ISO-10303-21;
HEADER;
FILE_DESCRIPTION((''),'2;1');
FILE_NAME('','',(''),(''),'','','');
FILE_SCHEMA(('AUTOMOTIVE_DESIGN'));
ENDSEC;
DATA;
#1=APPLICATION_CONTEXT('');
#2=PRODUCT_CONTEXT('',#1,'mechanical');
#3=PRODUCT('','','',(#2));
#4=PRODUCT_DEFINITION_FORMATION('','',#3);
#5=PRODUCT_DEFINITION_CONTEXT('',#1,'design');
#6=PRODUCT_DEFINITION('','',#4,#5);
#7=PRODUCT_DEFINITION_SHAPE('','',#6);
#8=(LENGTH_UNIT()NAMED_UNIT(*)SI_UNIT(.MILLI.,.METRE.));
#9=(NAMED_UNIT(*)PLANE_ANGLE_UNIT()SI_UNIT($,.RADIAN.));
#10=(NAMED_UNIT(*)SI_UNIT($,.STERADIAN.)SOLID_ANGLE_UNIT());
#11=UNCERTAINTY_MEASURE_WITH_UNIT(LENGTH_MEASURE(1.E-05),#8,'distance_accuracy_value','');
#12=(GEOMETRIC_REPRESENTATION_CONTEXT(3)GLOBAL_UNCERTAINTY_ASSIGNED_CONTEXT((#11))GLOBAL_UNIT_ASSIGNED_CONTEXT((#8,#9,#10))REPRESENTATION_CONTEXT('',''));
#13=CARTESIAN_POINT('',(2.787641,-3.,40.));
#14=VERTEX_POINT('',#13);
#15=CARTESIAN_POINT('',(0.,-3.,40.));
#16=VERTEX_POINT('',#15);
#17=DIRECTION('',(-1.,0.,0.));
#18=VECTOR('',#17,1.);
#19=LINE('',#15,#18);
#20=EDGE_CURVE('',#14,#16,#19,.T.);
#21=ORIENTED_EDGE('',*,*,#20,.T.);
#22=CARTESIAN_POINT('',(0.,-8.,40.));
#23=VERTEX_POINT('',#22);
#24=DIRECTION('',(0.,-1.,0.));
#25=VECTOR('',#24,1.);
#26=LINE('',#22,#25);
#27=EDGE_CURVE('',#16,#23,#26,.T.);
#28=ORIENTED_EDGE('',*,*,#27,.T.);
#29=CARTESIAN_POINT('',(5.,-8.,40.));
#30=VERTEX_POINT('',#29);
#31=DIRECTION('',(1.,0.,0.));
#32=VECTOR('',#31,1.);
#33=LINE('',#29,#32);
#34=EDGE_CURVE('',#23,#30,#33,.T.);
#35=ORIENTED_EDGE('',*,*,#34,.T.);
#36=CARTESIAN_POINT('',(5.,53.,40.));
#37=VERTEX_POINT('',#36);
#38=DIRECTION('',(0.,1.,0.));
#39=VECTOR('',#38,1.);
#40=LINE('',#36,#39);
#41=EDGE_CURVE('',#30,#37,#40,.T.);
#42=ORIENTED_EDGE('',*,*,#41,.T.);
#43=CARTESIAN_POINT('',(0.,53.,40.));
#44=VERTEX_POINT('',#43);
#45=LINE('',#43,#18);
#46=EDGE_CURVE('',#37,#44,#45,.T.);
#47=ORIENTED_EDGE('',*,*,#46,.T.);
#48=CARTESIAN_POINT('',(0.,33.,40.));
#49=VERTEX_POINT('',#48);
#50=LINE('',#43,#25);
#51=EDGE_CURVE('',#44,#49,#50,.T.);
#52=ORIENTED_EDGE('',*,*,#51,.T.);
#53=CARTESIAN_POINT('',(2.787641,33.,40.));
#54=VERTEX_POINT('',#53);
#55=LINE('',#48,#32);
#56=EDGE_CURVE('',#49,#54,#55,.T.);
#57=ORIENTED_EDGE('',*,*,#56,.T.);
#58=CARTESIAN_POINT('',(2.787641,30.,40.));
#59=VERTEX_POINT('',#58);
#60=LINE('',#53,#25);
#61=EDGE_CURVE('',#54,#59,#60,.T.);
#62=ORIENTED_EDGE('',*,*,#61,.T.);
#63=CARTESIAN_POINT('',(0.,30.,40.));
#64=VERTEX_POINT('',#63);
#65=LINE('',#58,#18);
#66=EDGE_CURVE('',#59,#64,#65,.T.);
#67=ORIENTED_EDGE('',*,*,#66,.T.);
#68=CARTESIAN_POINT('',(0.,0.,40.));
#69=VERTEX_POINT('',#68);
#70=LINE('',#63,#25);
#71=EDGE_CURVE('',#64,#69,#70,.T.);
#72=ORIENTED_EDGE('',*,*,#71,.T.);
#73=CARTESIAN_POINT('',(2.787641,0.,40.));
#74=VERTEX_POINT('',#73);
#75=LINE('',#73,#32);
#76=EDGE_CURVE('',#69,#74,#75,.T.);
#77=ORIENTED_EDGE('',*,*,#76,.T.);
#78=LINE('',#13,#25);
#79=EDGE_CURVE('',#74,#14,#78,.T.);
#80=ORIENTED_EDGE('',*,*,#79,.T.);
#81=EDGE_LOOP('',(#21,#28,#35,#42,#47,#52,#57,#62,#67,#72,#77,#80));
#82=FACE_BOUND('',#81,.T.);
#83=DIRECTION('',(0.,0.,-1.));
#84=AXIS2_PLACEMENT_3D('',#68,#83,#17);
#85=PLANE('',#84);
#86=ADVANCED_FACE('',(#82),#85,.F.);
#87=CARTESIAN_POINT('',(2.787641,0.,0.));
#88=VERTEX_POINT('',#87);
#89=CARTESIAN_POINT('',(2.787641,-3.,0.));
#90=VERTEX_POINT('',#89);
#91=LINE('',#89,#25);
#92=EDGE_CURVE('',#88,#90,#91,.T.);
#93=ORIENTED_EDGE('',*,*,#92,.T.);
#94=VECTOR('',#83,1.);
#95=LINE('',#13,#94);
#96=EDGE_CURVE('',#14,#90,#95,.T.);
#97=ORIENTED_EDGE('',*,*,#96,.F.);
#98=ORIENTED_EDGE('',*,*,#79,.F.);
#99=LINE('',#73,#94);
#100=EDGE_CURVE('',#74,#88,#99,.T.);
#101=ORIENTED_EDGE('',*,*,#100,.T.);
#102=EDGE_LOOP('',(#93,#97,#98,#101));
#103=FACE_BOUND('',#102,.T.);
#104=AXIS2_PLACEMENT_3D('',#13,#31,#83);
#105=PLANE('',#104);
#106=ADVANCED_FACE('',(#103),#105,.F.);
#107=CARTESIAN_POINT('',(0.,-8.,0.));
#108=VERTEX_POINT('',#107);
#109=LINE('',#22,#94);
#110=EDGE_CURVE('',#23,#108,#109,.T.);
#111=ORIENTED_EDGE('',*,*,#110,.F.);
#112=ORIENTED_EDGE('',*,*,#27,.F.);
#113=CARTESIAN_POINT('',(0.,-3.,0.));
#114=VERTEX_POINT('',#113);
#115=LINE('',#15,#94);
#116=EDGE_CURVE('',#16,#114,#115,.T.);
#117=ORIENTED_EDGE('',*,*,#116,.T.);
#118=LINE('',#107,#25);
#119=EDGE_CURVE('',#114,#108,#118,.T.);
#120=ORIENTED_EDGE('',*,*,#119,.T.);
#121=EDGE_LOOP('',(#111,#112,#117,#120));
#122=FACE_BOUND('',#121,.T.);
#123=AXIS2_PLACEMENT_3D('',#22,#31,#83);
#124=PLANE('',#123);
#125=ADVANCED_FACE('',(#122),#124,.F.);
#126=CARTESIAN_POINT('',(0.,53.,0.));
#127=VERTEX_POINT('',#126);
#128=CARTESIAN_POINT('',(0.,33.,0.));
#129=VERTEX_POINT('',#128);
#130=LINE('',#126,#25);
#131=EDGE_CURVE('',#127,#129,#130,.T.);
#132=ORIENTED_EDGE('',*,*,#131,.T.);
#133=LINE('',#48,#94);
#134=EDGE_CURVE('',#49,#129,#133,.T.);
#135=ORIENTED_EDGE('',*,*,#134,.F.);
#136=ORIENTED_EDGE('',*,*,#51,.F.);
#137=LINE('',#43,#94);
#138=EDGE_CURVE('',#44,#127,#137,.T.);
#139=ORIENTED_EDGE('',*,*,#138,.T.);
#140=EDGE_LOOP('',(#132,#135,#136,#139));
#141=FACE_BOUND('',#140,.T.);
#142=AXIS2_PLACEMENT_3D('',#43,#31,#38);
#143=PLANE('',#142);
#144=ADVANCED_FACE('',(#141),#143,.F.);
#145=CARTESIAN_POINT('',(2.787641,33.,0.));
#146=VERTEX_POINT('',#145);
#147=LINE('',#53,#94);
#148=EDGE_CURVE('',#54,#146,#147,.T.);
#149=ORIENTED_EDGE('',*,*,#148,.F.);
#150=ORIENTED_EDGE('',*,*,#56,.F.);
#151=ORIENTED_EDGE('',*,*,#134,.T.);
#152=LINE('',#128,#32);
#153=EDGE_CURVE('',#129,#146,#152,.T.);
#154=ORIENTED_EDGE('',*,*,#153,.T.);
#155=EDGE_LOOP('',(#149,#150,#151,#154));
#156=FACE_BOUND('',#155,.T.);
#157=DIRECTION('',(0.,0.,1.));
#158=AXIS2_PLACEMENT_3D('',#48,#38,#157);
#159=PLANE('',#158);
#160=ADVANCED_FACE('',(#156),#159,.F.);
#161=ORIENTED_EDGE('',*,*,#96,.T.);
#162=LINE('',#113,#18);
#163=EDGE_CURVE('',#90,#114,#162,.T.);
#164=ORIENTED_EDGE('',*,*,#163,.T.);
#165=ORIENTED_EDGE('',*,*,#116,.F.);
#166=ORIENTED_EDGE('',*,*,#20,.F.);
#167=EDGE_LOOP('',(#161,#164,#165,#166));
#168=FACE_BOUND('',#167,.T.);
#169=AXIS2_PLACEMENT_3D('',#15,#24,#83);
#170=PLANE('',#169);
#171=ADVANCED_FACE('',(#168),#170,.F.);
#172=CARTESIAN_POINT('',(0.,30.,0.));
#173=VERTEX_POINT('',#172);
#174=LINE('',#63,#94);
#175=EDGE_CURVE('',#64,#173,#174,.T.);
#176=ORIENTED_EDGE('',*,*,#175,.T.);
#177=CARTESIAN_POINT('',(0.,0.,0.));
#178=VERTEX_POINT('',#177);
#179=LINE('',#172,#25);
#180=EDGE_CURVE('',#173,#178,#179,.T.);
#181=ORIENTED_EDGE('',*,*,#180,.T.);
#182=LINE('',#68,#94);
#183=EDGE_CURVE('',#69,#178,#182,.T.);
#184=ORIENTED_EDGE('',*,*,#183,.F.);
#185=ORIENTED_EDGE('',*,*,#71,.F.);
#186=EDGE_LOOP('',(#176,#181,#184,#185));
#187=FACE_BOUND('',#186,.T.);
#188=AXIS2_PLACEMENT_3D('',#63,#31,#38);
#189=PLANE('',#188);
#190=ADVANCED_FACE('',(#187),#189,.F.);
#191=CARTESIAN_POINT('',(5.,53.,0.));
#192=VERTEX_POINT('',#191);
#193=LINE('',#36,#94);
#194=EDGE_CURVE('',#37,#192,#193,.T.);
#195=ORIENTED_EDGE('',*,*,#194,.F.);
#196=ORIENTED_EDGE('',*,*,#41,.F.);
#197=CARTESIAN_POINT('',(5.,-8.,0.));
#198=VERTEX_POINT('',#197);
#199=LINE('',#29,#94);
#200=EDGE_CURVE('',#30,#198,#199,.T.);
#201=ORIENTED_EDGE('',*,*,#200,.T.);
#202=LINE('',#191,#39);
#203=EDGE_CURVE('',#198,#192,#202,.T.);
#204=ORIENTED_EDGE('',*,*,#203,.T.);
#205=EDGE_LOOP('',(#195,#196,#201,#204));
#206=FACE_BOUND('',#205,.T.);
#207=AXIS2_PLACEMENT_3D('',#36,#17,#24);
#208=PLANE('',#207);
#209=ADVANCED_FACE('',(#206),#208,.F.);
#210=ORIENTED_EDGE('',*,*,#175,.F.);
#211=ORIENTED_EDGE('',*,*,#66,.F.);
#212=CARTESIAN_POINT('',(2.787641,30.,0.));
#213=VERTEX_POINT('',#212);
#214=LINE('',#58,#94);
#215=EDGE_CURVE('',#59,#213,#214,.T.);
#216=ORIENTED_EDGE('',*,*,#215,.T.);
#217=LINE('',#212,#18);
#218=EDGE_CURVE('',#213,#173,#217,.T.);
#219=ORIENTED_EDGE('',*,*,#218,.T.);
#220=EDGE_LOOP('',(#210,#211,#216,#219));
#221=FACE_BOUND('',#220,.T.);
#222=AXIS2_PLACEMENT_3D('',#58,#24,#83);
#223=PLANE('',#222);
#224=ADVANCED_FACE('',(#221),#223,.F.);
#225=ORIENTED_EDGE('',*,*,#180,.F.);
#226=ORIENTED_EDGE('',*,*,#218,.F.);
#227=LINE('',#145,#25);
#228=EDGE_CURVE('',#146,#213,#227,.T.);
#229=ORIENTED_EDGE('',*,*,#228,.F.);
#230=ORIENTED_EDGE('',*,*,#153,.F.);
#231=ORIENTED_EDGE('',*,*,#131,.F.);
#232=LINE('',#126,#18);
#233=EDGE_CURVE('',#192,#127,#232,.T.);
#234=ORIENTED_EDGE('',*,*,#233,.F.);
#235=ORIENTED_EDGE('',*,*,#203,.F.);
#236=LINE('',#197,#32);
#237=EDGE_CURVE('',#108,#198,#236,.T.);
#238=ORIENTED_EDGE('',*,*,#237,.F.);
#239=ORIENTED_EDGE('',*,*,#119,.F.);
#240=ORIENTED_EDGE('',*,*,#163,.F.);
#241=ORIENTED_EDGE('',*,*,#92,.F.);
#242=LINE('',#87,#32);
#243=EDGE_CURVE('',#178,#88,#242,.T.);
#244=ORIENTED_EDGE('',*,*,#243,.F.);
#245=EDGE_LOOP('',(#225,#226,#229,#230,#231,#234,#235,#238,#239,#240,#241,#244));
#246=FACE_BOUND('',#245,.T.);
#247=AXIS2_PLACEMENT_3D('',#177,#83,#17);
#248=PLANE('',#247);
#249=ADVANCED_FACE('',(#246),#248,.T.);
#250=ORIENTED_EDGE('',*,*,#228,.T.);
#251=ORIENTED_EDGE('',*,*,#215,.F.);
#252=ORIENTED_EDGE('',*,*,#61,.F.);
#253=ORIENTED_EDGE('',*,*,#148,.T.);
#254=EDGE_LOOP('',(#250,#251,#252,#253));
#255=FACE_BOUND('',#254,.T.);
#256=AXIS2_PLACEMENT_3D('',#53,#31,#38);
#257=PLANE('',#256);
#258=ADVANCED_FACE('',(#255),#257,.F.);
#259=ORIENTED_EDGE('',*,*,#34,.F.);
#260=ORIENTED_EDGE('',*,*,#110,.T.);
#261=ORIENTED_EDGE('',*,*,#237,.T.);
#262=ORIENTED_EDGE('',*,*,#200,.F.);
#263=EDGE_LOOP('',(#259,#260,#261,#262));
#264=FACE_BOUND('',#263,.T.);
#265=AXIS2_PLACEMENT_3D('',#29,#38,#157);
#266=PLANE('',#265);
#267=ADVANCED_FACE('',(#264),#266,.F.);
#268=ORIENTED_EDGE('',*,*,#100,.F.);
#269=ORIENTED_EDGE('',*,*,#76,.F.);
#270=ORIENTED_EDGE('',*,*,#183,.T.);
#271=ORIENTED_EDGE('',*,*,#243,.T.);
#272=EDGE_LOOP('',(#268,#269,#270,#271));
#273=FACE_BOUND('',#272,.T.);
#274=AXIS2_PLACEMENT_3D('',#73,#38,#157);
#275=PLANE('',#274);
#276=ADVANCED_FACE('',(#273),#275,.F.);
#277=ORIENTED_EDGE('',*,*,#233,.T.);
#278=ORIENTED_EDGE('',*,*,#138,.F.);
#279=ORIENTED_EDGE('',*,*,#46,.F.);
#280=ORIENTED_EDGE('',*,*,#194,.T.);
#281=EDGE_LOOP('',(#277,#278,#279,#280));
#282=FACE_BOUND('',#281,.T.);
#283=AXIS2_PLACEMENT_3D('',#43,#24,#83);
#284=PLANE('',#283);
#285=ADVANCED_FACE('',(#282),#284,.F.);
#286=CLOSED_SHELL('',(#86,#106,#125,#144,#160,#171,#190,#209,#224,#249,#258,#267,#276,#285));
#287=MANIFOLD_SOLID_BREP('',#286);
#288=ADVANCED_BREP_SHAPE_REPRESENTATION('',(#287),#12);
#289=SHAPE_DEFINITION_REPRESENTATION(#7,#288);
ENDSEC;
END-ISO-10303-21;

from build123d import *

# Parameters (mm, degrees)
BOSS_EXTRU_1_DEPTH = 40


with BuildPart() as part:
    # Esquisse1 → Boss.-Extru.1 (new body)
    with BuildSketch(Plane.XY):
        Polygon((0, 53), (5, 53), (5, -8), (0, -8), (0, -3), (2.787641371, -3), (2.787641371, 0), (0, 0), (0, 30), (2.787641371, 30), (2.787641371, 33), (0, 33), align=None)
    extrude(amount=BOSS_EXTRU_1_DEPTH)


solid = part.part
